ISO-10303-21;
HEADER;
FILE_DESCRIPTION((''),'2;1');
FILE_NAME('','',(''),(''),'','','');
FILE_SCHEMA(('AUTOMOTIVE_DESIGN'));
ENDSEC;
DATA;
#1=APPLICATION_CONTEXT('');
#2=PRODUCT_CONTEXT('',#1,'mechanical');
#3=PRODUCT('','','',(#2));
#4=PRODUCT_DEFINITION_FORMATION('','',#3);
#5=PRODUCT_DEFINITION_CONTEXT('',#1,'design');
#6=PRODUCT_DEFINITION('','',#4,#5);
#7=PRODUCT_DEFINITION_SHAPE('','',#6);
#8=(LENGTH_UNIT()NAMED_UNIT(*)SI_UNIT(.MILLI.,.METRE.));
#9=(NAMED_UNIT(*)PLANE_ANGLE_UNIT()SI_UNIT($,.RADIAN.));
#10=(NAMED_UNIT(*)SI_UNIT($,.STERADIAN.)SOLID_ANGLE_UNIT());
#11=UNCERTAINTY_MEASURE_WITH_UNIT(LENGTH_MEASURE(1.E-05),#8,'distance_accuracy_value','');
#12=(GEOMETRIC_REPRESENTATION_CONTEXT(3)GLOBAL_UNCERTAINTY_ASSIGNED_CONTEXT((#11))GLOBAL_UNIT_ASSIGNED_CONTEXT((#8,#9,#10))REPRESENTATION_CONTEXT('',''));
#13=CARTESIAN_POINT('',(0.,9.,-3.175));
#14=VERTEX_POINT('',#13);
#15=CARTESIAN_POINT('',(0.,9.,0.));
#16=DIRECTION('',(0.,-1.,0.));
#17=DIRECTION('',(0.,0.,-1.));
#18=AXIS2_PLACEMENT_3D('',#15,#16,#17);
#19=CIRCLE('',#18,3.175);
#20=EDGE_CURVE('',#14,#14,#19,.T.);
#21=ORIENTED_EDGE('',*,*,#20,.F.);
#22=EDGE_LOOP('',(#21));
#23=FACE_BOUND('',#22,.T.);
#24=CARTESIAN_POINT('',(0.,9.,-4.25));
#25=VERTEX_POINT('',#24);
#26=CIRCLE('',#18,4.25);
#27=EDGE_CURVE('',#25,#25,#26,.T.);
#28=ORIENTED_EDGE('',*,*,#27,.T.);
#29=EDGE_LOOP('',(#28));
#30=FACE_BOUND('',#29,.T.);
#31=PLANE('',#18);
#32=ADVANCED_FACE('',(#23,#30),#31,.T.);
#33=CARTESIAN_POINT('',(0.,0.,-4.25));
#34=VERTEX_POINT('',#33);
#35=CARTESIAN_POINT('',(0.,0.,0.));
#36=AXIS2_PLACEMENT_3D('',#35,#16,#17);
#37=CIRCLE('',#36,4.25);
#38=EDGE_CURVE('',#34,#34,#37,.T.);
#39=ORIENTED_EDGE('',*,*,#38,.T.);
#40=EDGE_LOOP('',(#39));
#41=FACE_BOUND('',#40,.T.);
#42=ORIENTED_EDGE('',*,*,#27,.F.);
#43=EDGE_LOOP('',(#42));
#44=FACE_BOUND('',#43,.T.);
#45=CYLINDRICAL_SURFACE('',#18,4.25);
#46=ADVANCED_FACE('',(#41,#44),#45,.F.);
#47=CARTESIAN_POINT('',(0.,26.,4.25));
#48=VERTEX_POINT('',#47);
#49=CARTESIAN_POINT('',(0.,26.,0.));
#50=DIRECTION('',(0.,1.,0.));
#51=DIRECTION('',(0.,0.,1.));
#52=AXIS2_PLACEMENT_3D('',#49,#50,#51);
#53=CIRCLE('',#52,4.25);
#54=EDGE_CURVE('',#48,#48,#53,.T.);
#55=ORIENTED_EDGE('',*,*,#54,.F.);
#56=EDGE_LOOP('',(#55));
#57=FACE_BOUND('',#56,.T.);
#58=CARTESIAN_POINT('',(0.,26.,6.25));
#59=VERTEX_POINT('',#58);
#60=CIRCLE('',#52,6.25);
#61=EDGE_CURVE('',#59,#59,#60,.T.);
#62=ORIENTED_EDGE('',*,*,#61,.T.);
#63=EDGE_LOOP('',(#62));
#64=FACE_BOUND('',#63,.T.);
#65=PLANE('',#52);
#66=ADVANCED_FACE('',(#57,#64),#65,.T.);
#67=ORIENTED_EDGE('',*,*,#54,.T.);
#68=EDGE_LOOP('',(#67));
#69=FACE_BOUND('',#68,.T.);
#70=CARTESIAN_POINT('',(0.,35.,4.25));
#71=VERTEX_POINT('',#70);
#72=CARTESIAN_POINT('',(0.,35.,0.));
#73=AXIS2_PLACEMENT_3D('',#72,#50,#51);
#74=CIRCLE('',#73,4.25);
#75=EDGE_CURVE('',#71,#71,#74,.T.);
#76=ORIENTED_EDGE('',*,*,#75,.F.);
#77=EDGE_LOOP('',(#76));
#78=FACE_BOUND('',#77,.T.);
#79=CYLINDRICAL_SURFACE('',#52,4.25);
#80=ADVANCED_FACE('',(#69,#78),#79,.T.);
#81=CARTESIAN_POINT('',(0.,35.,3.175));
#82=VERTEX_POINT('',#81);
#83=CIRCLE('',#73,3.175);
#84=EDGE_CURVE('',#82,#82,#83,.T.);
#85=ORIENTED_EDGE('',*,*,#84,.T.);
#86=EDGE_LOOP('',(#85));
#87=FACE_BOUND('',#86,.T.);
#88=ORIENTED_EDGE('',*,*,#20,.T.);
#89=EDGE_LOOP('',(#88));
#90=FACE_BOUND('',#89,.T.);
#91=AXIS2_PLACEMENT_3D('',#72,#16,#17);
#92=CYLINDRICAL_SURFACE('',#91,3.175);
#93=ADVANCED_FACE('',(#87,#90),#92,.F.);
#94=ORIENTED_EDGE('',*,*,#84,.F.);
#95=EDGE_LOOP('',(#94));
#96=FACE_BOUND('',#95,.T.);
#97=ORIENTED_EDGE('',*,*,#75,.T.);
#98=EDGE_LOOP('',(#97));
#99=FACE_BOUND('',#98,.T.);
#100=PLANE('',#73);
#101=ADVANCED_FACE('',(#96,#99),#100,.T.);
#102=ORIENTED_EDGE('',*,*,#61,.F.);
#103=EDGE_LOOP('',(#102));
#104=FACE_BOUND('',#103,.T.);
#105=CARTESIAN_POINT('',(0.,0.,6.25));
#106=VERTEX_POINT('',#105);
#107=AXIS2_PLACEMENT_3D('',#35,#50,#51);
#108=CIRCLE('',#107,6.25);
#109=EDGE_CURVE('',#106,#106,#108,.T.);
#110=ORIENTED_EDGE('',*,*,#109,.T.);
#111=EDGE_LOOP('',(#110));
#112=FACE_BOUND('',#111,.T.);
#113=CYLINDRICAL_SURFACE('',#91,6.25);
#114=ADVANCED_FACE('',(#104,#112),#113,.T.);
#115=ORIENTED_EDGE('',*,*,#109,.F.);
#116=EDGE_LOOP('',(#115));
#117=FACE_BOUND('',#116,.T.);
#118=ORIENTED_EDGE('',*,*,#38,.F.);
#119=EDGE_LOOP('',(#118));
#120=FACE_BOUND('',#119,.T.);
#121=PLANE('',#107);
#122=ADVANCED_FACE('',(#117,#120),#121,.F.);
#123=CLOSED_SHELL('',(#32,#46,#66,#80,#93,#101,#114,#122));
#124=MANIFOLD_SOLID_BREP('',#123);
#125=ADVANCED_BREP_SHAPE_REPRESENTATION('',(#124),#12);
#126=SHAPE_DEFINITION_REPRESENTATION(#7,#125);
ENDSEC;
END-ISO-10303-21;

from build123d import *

# Parameters (mm, degrees)
SKETCH1_R           = 6.25
SKETCH1_R_2         = 3.175
BOSS_EXTRUDE1_DEPTH = 35
SKETCH2_OUTSIDE_W   = 22.342
SKETCH2_OUTSIDE_H   = 22.342
SKETCH2_OUTSIDE_R   = 4.25
CUT_EXTRUDE1_DEPTH  = 9
SKETCH3_R           = 4.25
CUT_EXTRUDE2_DEPTH  = 9


with BuildPart() as part:
    # Sketch1 → Boss-Extrude1 (new body)
    with BuildSketch(Plane(origin=(0, 0, 0), x_dir=(1, 0, 0), z_dir=(0, 1, 0))):
        Circle(SKETCH1_R)
        Circle(SKETCH1_R_2, mode=Mode.SUBTRACT)
    extrude(amount=BOSS_EXTRUDE1_DEPTH)

    # Sketch2 outside → Cut-Extrude1 (cut)
    with BuildSketch(Plane(origin=(0, 35, 0), x_dir=(1, 0, 0), z_dir=(0, 1, 0))):
        Rectangle(SKETCH2_OUTSIDE_W, SKETCH2_OUTSIDE_H)
        Circle(SKETCH2_OUTSIDE_R, mode=Mode.SUBTRACT)
    extrude(amount=-CUT_EXTRUDE1_DEPTH, mode=Mode.SUBTRACT)

    # Sketch3 → Cut-Extrude2 (cut)
    with BuildSketch(Plane.XZ):
        Circle(SKETCH3_R)
    extrude(amount=-CUT_EXTRUDE2_DEPTH, mode=Mode.SUBTRACT)


solid = part.part
